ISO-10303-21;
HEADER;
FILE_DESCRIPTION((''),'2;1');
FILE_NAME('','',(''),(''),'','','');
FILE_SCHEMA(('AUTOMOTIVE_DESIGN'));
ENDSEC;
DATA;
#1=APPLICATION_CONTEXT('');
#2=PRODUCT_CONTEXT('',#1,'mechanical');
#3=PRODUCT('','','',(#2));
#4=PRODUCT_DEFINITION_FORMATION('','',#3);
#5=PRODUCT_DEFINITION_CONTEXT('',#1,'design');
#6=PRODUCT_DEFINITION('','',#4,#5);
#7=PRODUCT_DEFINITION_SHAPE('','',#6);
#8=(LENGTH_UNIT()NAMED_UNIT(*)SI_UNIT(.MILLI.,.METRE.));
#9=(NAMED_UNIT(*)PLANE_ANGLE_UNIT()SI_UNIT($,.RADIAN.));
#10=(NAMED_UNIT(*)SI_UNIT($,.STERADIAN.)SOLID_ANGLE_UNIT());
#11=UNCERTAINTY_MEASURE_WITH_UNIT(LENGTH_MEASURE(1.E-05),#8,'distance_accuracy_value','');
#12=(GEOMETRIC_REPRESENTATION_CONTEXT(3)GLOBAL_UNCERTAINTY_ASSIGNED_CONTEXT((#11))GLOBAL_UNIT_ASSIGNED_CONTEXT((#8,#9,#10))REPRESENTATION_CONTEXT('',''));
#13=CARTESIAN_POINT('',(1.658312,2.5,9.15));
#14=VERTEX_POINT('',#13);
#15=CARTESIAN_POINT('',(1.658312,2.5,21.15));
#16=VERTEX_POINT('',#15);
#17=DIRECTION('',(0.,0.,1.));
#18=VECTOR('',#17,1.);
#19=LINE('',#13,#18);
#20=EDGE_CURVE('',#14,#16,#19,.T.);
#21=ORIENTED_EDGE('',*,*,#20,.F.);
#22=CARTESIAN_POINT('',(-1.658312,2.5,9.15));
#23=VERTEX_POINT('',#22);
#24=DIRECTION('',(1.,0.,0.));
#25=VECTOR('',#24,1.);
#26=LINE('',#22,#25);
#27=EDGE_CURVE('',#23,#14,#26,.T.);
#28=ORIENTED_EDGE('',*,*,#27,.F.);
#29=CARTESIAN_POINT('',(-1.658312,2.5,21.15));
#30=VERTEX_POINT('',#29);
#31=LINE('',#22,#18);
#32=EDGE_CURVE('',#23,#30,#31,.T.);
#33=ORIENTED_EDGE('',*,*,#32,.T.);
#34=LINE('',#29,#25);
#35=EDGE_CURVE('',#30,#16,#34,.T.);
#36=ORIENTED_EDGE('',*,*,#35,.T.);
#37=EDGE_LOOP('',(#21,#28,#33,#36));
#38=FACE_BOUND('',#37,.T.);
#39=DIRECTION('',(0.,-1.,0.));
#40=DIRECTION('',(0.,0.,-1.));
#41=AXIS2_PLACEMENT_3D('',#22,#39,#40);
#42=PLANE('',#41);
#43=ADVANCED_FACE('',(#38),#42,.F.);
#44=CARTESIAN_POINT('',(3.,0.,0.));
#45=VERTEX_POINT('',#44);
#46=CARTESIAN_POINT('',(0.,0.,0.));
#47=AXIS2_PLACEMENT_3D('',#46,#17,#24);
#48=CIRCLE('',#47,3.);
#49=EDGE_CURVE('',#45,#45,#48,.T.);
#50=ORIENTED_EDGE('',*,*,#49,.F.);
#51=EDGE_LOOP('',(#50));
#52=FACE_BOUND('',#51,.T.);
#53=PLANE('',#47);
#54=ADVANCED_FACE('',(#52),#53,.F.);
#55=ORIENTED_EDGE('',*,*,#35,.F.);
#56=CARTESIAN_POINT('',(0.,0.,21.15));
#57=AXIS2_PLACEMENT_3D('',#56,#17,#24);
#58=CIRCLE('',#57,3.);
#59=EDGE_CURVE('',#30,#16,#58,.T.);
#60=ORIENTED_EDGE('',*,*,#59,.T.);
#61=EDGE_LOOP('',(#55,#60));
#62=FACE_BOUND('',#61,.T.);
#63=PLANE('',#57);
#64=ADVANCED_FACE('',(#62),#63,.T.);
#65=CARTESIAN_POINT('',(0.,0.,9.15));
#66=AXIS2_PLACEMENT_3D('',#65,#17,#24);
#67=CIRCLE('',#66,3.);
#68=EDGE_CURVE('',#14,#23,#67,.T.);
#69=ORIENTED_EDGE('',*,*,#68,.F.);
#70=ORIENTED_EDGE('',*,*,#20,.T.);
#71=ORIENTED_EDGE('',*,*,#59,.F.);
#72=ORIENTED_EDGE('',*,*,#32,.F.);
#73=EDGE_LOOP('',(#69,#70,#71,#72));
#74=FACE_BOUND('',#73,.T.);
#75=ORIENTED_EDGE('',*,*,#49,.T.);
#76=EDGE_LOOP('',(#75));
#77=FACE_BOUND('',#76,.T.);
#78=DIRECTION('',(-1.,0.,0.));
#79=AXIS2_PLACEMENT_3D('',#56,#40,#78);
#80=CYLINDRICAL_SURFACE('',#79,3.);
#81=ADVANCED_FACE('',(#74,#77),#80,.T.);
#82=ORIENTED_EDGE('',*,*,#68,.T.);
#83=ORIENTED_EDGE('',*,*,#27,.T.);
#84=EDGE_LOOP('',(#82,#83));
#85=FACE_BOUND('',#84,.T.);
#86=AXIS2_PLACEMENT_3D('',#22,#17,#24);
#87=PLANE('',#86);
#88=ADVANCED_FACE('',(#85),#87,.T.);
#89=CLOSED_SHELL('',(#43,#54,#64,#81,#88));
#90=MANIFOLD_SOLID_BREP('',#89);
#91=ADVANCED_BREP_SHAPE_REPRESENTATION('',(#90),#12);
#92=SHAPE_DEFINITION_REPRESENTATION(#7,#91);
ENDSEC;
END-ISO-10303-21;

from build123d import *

# Parameters (mm, degrees)
SKETCH1_R           = 3
BOSS_EXTRUDE1_DEPTH = 21.15
SKETCH2_W           = 3.31662479
SKETCH2_H           = 0.5
CUT_EXTRUDE1_DEPTH  = 12


with BuildPart() as part:
    # Sketch1 → Boss-Extrude1 (new body)
    with BuildSketch(Plane.XY):
        Circle(SKETCH1_R)
    extrude(amount=BOSS_EXTRUDE1_DEPTH)

    # Sketch2 → Cut-Extrude1 (cut)
    with BuildSketch(Plane.XY.offset(21.15)):
        with Locations((0, 2.75)):
            Rectangle(SKETCH2_W, SKETCH2_H)
    extrude(amount=-CUT_EXTRUDE1_DEPTH, mode=Mode.SUBTRACT)


solid = part.part
